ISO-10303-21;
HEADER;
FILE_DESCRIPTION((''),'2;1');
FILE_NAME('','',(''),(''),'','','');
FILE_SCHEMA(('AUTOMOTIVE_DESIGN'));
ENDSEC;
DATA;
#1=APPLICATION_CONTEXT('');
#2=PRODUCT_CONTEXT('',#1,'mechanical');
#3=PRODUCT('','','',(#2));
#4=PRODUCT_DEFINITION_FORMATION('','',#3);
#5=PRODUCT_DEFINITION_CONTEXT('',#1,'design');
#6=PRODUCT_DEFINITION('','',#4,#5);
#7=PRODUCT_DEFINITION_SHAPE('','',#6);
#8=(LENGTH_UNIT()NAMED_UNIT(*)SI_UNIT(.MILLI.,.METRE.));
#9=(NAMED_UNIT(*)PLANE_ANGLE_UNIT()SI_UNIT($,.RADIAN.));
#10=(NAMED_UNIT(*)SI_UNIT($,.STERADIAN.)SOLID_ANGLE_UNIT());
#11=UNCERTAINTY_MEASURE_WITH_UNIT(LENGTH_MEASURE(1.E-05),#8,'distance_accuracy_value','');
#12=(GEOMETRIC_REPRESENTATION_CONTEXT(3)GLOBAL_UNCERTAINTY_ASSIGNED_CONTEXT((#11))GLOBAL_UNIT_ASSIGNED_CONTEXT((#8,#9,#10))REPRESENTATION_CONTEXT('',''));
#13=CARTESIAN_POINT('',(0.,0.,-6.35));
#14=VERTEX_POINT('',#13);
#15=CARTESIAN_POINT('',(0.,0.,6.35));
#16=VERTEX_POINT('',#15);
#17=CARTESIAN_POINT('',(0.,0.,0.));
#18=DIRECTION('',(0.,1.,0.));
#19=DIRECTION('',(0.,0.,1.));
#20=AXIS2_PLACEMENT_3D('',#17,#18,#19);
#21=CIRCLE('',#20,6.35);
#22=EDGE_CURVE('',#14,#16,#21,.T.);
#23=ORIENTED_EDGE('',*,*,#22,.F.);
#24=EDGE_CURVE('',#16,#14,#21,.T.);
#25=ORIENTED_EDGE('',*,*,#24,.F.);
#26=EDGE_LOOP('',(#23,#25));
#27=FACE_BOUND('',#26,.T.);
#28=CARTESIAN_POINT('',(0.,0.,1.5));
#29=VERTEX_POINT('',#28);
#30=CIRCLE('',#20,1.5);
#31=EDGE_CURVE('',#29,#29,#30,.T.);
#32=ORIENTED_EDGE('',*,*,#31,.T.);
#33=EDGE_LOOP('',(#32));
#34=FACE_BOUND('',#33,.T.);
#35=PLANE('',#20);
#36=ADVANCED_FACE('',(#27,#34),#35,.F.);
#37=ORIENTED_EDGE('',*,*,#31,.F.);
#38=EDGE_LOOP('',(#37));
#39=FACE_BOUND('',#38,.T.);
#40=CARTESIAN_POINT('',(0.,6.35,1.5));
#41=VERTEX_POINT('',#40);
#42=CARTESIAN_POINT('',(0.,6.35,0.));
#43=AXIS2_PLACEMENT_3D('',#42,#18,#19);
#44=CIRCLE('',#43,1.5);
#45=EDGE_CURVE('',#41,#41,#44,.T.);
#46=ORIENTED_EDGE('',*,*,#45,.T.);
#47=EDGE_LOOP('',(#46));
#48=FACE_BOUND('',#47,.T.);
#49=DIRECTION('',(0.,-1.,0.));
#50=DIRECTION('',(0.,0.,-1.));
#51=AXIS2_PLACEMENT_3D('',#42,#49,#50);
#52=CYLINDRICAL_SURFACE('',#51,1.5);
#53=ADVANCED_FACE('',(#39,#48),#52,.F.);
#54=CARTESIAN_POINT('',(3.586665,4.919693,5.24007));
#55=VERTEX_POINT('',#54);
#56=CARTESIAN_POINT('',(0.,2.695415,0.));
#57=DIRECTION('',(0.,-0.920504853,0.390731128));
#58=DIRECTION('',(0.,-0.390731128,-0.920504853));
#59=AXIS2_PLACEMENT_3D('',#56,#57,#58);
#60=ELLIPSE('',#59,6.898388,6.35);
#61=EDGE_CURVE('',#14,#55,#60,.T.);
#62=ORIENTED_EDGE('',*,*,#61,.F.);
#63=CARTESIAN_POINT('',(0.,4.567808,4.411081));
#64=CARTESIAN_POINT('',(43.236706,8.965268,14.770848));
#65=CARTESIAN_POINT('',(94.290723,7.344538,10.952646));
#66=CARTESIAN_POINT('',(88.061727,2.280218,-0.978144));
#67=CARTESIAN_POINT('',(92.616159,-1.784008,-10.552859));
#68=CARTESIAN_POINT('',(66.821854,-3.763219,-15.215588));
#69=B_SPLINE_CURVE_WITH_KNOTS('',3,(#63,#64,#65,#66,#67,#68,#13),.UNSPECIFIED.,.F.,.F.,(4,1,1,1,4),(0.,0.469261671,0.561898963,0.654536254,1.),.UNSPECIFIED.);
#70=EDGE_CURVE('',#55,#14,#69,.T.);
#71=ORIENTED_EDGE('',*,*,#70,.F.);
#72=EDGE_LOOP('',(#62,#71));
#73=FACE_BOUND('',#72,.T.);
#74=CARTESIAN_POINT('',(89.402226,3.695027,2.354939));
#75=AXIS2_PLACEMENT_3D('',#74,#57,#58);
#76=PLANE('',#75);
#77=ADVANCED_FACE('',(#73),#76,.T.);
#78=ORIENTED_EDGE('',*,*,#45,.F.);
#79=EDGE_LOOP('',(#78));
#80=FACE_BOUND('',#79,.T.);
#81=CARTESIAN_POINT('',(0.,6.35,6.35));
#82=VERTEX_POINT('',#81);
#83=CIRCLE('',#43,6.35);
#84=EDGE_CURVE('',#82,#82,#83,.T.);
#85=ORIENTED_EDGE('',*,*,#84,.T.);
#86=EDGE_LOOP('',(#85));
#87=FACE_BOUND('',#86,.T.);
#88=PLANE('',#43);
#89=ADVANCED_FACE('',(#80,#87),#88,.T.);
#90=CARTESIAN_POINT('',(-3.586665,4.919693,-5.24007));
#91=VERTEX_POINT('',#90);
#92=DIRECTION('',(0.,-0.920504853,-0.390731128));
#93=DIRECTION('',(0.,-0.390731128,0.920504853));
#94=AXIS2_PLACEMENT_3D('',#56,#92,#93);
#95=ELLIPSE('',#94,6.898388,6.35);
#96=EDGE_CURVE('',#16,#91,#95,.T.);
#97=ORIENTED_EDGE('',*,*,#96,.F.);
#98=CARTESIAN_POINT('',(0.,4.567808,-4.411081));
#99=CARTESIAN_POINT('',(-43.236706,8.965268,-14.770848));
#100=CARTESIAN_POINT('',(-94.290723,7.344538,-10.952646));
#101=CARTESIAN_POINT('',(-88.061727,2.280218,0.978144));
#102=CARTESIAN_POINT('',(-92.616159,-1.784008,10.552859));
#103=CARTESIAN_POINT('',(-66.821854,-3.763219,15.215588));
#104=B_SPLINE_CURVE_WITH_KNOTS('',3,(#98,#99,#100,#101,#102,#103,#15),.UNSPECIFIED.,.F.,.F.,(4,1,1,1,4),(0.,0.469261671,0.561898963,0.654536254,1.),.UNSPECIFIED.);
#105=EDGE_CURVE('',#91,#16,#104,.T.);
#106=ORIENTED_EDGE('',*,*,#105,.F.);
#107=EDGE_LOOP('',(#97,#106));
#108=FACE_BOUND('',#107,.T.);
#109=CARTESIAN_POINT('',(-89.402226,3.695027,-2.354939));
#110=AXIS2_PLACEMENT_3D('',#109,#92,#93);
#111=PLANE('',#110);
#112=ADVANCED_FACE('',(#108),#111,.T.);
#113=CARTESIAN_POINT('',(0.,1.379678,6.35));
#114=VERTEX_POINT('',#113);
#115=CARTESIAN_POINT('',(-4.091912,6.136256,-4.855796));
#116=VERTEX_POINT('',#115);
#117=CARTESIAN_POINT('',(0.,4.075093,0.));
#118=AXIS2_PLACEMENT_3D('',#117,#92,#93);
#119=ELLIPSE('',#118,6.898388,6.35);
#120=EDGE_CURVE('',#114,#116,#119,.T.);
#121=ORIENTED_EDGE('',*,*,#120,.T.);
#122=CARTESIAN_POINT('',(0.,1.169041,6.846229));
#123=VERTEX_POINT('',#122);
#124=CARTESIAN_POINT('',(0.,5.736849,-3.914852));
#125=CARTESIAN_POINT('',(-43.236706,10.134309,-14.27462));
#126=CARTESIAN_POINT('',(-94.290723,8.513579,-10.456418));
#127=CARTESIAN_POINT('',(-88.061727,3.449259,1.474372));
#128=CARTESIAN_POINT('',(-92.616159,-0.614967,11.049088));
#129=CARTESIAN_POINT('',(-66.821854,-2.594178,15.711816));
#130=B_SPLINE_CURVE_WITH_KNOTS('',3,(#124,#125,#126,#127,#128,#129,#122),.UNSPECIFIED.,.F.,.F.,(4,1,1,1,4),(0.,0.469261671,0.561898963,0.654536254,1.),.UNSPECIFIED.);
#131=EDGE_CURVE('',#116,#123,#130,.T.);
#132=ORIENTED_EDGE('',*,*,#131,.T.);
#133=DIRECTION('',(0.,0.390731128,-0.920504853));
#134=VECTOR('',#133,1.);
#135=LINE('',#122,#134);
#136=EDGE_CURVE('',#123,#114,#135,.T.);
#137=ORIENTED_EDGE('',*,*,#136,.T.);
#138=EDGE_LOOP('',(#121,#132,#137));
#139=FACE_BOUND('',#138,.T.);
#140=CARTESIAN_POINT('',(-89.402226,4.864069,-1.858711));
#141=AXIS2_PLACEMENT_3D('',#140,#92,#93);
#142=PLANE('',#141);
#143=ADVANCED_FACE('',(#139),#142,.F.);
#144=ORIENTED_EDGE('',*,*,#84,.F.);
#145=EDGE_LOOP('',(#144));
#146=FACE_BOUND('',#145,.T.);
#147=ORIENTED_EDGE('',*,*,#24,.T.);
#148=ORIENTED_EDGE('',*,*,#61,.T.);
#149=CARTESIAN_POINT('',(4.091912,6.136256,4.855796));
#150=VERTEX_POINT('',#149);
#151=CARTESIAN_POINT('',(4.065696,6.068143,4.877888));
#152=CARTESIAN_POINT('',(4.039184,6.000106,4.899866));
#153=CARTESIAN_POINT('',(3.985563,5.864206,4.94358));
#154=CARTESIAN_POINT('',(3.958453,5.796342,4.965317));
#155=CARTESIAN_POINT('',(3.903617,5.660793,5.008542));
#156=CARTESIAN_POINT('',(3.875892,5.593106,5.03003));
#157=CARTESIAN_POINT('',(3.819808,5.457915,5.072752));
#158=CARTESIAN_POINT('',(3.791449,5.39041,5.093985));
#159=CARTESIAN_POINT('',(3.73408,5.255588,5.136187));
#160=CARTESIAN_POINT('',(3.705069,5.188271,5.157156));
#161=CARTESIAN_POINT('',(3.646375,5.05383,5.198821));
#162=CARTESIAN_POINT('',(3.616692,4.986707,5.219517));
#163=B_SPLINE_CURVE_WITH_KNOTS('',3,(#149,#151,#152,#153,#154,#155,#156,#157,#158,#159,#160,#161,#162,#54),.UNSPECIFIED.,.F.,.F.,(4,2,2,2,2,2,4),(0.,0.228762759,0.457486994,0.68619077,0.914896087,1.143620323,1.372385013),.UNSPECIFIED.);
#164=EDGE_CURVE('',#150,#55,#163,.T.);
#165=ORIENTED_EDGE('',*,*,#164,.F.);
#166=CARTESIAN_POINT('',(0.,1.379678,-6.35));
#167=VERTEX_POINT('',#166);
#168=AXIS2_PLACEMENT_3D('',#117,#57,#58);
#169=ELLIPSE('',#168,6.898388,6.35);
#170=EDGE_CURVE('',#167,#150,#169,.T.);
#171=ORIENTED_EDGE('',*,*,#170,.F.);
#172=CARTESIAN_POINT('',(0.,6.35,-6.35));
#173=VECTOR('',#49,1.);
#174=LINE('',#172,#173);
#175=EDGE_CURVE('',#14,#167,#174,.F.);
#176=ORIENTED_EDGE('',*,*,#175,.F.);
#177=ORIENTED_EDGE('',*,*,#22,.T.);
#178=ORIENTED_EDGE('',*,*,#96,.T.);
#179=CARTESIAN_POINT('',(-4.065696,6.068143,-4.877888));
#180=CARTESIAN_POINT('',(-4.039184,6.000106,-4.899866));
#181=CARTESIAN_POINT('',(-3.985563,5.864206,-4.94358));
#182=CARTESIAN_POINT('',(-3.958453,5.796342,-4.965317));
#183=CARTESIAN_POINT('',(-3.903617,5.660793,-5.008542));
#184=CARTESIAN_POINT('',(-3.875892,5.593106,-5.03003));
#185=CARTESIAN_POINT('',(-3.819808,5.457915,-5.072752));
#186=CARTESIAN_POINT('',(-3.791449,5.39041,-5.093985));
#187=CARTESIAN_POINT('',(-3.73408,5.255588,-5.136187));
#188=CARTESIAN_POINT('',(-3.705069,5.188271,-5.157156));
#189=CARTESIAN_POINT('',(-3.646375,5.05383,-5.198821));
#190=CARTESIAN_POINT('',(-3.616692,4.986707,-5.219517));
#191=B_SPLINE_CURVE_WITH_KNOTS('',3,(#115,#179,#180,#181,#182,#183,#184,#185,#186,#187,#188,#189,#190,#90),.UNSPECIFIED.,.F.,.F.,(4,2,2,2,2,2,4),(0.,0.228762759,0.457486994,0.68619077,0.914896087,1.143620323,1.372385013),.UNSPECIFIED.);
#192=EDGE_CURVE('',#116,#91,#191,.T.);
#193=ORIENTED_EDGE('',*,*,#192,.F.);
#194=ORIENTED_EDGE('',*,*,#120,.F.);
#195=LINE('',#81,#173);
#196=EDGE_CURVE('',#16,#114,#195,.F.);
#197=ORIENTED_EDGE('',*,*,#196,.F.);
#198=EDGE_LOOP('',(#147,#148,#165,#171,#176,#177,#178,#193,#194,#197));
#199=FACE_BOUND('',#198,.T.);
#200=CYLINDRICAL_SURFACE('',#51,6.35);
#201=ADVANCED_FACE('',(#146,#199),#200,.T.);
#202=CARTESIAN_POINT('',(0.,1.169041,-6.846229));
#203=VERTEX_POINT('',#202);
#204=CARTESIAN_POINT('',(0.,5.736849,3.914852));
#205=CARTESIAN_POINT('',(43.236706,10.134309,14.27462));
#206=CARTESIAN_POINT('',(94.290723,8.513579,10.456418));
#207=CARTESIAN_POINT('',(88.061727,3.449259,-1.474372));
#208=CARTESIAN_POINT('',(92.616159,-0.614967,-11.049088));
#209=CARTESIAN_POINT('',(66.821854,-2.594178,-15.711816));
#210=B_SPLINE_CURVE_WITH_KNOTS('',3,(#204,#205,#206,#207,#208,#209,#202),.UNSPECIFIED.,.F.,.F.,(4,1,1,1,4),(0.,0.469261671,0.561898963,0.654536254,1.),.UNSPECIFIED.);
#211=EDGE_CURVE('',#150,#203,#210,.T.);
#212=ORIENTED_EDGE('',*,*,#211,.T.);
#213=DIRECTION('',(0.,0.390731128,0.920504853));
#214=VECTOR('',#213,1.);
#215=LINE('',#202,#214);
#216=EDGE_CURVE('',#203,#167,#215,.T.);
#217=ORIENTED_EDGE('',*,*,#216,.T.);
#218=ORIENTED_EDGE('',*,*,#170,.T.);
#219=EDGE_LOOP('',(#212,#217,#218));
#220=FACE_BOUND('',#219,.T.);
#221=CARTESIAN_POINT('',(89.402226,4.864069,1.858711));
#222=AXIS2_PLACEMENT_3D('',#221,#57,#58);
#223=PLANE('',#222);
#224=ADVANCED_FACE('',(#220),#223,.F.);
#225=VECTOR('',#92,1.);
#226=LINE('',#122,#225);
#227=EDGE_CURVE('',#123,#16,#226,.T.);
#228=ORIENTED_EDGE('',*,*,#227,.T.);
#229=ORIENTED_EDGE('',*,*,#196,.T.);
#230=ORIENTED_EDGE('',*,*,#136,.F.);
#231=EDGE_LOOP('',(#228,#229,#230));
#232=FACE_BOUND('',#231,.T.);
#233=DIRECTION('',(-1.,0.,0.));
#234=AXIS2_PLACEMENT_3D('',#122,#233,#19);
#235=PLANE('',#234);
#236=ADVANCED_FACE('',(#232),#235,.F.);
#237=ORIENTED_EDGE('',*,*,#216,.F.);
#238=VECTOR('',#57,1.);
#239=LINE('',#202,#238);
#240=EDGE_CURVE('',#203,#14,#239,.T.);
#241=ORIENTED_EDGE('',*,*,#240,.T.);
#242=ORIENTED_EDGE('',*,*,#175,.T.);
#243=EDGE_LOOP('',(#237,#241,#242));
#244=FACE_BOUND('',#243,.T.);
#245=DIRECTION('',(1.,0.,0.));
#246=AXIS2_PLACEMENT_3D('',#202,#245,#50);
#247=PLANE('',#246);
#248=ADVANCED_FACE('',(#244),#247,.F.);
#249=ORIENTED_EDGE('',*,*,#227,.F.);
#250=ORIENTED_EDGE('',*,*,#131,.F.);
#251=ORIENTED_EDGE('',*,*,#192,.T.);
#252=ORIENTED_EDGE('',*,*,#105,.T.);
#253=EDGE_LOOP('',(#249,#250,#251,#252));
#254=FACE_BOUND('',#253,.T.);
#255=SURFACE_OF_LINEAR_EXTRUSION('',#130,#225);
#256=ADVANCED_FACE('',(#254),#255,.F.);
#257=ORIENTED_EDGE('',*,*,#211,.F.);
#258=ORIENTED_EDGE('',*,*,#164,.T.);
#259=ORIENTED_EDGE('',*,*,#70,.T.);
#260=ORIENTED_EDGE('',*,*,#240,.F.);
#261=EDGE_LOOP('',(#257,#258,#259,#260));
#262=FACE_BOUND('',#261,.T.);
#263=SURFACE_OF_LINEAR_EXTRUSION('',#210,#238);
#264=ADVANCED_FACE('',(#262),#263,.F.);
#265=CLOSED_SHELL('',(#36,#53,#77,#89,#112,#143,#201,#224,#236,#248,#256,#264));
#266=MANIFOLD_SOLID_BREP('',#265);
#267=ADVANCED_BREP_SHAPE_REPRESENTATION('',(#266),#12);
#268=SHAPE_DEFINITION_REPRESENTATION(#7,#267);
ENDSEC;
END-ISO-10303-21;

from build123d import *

# Parameters (mm, degrees)
SKETCH1_R           = 6.35
SKETCH1_R_2         = 1.5
BOSS_EXTRUDE1_DEPTH = 6.35
BOSS_EXTRUDE2_DEPTH = 1.27
CIRPATTERN1_COUNT   = 2
SKETCH6_R           = 1.5
CUT_EXTRUDE7_DEPTH  = 91.638322024


with BuildPart() as part:
    # Sketch1 → Boss-Extrude1 (new body)
    with BuildSketch(Plane(origin=(0, 0, 0), x_dir=(1, 0, 0), z_dir=(0, 1, 0))):
        with Locations(Location((0, 0, 0), (0, 0, 270))):
            Circle(SKETCH1_R)
        with Locations(Location((0, 0, 0), (0, 0, 270))):
            Circle(SKETCH1_R_2, mode=Mode.SUBTRACT)
    extrude(amount=BOSS_EXTRUDE1_DEPTH)

    # Sketch5 → Boss-Extrude2 (add)
    with BuildSketch(Plane(origin=(0, 2.283903866, -0.969459674), x_dir=(-1, 0, 0), z_dir=(0, 0.9205048534524427, -0.39073112848926805))):
        with BuildLine():
            Line((0, -5.845205819), (0, 5.845205819))
            add(Edge.make_bspline(
                [(0, 5.845205819), (-43.236705744, 17.099647121), (-94.2907228, 12.951703411), (-88.061726505, -0.009433869), (-92.616159199, -10.411025475), (-66.821854292, -15.476429188), (0, -5.845205819)],
                knots=[0, 0, 0, 0, 0.469261671, 0.561898963, 0.654536254, 1, 1, 1, 1], degree=3))
        make_face()
    boss_extrude2 = extrude(amount=BOSS_EXTRUDE2_DEPTH)

    # CirPattern1: Boss-Extrude2 ×2 about axis
    cirpattern1_axis = Axis((0, 6.35, 0), (0, 1, 0))
    for i in range(1, CIRPATTERN1_COUNT):
        add(boss_extrude2.rotate(cirpattern1_axis, i * 360 / CIRPATTERN1_COUNT))

    # Sketch6 → Cut-Extrude7 (cut, through all)
    with BuildSketch(Plane.XZ):
        with Locations(Location((0, 0, 0), (0, 0, 90))):
            Circle(SKETCH6_R)
    extrude(amount=-CUT_EXTRUDE7_DEPTH, mode=Mode.SUBTRACT)


solid = part.part
